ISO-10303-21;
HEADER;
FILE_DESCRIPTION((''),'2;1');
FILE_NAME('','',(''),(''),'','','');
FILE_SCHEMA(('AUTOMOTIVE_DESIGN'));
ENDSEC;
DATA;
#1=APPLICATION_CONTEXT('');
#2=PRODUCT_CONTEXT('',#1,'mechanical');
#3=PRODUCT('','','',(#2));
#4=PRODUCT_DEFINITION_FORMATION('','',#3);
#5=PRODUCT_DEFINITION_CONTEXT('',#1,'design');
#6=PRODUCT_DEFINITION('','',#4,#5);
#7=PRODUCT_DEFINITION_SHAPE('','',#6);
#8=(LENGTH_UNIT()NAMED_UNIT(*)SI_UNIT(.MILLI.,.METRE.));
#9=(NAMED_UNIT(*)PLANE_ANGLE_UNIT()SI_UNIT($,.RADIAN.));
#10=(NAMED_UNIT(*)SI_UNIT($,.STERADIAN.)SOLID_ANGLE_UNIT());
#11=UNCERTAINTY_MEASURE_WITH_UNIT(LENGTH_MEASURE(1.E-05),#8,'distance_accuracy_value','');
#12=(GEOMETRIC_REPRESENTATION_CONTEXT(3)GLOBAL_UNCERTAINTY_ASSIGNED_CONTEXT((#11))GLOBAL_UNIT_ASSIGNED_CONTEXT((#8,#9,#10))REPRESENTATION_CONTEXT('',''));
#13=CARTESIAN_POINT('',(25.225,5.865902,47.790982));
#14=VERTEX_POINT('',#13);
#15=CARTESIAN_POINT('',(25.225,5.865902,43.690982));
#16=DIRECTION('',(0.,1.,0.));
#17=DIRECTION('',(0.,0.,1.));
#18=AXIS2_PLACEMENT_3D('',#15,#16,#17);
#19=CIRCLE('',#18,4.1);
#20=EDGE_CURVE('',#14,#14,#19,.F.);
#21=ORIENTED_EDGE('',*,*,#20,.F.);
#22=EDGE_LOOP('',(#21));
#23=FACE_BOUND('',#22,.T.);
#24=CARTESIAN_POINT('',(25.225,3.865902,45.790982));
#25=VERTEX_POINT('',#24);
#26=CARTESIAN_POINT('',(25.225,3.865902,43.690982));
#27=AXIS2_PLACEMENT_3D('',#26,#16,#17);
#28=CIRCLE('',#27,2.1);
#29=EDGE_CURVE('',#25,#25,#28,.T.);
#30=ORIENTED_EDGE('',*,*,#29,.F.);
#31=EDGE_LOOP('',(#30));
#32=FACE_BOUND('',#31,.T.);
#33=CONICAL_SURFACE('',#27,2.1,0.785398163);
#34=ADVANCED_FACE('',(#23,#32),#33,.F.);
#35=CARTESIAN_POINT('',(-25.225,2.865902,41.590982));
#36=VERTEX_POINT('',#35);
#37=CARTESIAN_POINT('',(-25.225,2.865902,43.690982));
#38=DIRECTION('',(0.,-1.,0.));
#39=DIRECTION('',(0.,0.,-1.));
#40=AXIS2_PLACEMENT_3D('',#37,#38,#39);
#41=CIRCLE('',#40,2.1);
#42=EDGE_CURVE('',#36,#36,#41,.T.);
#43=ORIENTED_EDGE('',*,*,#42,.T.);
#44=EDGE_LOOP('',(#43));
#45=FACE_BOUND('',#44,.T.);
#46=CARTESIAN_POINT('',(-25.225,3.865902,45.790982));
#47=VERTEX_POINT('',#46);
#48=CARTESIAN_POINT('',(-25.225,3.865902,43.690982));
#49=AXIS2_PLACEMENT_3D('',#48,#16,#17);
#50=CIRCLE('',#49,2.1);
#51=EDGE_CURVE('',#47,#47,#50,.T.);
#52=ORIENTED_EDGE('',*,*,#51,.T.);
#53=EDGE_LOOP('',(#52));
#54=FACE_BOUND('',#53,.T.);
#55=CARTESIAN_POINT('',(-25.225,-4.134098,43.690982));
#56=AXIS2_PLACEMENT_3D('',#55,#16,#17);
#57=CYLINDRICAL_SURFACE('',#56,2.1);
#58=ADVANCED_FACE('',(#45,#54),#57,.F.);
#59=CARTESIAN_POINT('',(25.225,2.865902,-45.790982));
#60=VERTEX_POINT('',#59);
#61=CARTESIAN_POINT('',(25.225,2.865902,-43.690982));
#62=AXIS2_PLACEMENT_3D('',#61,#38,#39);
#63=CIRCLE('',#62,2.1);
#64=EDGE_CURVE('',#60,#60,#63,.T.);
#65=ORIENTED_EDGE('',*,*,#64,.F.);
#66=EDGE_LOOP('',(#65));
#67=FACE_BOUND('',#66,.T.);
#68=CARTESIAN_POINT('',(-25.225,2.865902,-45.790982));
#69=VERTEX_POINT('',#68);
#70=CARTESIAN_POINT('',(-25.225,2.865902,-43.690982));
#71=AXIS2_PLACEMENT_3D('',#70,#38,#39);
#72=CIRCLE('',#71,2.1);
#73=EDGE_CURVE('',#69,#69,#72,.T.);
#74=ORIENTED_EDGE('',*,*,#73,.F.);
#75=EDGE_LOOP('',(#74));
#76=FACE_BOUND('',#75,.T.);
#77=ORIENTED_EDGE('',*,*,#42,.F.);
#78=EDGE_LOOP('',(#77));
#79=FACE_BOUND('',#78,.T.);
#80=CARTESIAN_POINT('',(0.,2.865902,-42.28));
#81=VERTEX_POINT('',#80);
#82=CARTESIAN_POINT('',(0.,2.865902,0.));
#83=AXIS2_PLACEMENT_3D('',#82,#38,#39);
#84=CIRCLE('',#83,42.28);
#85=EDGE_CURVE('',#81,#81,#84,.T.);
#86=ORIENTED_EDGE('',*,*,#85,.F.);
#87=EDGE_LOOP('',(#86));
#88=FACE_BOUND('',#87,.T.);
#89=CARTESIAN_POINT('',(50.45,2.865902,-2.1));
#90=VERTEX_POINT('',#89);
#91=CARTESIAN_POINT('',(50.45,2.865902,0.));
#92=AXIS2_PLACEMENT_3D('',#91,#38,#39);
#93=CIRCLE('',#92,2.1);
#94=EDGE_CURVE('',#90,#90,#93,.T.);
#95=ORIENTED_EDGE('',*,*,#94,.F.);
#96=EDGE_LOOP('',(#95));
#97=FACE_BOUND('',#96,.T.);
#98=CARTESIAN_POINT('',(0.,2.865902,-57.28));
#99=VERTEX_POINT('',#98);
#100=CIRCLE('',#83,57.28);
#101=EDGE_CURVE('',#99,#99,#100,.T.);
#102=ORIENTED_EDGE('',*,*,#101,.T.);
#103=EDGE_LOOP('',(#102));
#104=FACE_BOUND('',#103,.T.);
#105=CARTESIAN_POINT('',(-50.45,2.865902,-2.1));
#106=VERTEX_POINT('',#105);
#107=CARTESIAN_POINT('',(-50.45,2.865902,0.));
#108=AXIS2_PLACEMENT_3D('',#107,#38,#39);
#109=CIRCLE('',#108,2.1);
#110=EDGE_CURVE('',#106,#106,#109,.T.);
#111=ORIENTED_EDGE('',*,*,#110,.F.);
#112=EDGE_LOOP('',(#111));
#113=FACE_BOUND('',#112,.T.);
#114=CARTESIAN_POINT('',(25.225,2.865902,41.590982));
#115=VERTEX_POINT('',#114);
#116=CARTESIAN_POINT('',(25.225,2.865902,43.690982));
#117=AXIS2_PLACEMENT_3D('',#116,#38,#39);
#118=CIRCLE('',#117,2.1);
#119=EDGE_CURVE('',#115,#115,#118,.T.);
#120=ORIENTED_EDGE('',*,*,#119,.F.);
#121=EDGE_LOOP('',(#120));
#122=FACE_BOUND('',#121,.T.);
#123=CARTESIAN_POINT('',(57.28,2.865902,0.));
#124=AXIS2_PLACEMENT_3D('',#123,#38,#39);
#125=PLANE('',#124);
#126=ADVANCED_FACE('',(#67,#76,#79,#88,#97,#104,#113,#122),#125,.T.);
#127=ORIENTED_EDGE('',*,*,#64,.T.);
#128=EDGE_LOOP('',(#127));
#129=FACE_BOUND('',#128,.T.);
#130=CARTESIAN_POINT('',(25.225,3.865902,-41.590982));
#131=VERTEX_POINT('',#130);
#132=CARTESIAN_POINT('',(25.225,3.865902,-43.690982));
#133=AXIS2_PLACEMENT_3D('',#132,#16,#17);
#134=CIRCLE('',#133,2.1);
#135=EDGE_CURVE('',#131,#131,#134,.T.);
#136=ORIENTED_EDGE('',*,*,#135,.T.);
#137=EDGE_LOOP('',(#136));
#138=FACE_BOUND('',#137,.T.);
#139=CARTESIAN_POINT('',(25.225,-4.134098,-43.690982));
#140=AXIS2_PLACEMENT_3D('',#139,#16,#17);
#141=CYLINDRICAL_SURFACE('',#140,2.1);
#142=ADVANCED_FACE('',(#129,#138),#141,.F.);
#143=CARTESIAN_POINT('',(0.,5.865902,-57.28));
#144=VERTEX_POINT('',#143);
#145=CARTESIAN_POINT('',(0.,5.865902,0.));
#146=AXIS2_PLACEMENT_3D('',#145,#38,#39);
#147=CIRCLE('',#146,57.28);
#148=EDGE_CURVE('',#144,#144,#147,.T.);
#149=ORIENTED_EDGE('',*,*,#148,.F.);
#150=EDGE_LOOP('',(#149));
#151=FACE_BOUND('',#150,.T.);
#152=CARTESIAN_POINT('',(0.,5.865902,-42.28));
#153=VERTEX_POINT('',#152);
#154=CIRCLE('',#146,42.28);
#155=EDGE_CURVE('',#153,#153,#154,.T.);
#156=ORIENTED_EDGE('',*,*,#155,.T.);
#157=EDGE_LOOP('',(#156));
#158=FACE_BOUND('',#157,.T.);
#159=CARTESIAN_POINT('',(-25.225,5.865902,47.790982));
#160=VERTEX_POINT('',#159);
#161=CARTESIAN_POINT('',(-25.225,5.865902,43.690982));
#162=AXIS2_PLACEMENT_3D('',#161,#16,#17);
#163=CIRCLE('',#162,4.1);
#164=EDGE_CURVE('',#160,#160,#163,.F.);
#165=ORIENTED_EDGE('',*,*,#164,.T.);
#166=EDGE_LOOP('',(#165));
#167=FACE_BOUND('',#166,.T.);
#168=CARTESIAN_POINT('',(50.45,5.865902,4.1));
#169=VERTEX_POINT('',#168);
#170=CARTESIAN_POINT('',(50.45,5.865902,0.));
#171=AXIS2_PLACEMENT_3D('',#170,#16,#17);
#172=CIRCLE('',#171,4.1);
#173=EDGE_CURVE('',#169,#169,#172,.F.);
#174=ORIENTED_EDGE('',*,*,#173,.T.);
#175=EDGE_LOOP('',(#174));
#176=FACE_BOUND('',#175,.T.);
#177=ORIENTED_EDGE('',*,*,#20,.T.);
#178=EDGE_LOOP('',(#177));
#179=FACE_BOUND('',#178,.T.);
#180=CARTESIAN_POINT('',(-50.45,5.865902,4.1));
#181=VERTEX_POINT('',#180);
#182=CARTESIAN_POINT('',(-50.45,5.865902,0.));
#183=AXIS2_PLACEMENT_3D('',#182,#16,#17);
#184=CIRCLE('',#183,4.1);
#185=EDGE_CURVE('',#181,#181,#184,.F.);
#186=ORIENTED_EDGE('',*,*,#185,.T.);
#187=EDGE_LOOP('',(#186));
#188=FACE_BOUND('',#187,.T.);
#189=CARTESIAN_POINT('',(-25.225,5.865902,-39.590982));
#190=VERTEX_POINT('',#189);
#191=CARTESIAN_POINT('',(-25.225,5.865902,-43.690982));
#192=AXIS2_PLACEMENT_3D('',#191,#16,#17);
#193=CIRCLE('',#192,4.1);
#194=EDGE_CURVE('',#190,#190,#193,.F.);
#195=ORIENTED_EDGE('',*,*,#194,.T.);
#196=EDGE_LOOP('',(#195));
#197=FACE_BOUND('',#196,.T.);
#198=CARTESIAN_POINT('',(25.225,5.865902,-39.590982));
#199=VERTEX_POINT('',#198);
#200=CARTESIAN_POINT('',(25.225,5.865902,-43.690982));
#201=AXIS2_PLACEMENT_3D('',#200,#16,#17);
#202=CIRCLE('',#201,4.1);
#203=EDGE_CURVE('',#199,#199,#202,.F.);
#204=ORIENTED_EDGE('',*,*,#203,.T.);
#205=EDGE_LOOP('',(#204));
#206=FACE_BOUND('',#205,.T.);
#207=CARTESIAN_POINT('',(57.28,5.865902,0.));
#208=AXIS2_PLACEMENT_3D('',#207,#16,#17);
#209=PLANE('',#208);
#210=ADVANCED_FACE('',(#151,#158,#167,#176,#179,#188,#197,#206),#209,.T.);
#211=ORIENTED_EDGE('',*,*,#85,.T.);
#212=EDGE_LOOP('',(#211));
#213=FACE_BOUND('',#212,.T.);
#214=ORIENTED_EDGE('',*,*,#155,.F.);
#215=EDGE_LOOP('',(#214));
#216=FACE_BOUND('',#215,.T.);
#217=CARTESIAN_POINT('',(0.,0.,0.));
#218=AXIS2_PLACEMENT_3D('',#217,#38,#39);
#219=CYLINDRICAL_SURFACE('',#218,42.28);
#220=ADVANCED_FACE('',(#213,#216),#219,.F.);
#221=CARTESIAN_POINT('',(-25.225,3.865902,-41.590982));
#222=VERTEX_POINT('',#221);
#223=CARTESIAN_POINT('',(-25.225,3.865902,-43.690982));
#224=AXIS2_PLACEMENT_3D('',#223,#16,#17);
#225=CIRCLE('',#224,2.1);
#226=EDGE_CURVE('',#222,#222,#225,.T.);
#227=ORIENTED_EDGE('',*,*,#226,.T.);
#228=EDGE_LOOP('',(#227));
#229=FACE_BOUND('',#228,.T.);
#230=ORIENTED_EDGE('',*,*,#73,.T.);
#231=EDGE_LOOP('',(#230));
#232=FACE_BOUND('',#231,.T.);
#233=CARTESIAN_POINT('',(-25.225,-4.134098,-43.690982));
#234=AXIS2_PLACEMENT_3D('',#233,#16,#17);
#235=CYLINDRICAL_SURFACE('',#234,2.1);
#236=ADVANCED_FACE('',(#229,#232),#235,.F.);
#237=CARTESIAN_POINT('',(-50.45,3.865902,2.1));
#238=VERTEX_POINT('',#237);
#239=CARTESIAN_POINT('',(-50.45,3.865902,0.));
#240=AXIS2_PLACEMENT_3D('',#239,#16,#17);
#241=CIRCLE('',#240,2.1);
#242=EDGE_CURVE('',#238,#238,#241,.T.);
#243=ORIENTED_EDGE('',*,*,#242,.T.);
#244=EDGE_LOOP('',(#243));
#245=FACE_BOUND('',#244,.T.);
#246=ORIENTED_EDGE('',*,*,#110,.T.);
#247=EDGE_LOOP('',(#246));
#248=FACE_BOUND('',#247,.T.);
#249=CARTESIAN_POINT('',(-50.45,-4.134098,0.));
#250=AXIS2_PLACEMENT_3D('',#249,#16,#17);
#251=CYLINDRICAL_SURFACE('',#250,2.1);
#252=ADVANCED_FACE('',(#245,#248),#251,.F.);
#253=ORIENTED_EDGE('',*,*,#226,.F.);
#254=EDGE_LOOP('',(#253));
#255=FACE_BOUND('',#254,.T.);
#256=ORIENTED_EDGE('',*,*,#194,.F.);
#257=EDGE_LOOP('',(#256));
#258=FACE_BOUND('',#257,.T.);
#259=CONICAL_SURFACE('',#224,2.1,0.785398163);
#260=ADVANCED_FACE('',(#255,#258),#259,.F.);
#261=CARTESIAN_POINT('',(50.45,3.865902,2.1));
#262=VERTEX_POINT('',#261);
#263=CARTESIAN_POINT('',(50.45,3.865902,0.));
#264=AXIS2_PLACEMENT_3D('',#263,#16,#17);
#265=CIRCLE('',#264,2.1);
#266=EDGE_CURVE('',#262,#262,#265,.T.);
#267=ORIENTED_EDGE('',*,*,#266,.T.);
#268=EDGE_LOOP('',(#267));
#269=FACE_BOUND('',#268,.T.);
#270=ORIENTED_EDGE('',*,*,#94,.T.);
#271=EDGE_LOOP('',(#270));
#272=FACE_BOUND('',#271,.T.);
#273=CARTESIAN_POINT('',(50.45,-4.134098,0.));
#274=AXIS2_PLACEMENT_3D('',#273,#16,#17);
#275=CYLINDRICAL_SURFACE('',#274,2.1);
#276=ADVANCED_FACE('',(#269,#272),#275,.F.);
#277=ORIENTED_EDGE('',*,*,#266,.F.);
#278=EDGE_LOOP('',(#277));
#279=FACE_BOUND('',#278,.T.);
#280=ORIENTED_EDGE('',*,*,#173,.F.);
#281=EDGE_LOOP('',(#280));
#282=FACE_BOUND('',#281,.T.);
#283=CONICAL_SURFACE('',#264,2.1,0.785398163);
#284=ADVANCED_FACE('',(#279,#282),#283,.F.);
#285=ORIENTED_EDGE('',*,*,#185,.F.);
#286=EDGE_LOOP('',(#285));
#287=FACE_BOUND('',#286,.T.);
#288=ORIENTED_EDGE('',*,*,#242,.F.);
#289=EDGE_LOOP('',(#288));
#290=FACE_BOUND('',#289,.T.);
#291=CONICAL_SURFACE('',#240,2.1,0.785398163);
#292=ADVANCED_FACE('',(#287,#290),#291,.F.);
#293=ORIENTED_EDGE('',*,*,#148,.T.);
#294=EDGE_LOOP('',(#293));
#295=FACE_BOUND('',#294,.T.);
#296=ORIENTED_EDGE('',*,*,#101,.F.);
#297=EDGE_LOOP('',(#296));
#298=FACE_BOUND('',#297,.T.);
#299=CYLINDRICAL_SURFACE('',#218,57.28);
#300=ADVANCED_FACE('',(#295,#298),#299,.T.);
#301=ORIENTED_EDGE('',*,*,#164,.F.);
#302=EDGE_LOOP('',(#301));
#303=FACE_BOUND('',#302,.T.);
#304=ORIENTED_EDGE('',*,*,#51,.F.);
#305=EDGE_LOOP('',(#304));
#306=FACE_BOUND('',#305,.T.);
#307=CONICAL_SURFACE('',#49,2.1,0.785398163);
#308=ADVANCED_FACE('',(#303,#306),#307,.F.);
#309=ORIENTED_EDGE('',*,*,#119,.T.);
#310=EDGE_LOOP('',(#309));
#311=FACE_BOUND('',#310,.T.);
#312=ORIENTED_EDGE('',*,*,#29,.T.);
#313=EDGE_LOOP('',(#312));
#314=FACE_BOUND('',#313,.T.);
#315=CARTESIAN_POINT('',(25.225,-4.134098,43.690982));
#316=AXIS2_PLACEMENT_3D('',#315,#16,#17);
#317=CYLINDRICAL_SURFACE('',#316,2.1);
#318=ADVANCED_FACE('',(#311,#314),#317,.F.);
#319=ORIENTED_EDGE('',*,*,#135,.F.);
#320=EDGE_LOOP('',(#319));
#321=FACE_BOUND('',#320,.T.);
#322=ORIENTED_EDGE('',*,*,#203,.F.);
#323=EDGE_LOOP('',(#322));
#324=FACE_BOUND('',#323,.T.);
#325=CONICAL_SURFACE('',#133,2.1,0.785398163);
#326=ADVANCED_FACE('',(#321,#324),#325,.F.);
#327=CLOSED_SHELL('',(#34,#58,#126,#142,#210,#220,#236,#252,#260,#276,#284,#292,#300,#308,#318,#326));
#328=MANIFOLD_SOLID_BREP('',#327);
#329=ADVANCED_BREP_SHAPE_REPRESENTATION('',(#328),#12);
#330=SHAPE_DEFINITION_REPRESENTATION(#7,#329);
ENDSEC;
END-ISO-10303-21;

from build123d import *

# Parameters (mm, degrees)
SKETCH_1_W          = 15
SKETCH_1_H          = 3
SKETCH_2_R          = 2.1
CUT_EXTRUDE_1_DEPTH = 10
CHAMFER_1_SIZE      = 2


with BuildPart() as part:
    # 草图1 → 旋转1 (revolve)
    with BuildSketch(Plane.XY, mode=Mode.PRIVATE) as revolve_1_sk:
        with Locations((49.78, 4.365902373)):
            Rectangle(SKETCH_1_W, SKETCH_1_H)
    revolve(revolve_1_sk.sketch.rotate(Axis((0, 0, 0), (0, 1, 0)), 90), axis=Axis((0, 0, 0), (0, 1, 0)))

    # 草图2 → 切除-拉伸1 (cut)
    with BuildSketch(Plane(origin=(0, 5.865902373, 0), x_dir=(1, 0, 0), z_dir=(0, 1, 0))):
        with Locations(Location((-50.45, 0, 0), (0, 0, 270))):
            Circle(SKETCH_2_R)
        with Locations(Location((-25.225, 43.690981621, 0), (0, 0, 270))):
            Circle(SKETCH_2_R)
        with Locations(Location((25.225, 43.690981621, 0), (0, 0, 270))):
            Circle(SKETCH_2_R)
        with Locations(Location((50.45, 0, 0), (0, 0, 270))):
            Circle(SKETCH_2_R)
        with Locations(Location((25.225, -43.690981621, 0), (0, 0, 270))):
            Circle(SKETCH_2_R)
        with Locations(Location((-25.225, -43.690981621, 0), (0, 0, 270))):
            Circle(SKETCH_2_R)
    extrude(amount=-CUT_EXTRUDE_1_DEPTH, mode=Mode.SUBTRACT)

    # 倒角1
    chamfer_1_edges = [part.edges().sort_by_distance(p)[0] for p in [
        (-50.45, 5.865902373, -2.1),
        (-25.225, 5.865902373, 41.590981621),
        (25.225, 5.865902373, 41.590981621),
        (50.45, 5.865902373, -2.1),
        (25.225, 5.865902373, -45.790981621),
        (-25.225, 5.865902373, -45.790981621),
    ]]
    chamfer(chamfer_1_edges, length=CHAMFER_1_SIZE)


solid = part.part
